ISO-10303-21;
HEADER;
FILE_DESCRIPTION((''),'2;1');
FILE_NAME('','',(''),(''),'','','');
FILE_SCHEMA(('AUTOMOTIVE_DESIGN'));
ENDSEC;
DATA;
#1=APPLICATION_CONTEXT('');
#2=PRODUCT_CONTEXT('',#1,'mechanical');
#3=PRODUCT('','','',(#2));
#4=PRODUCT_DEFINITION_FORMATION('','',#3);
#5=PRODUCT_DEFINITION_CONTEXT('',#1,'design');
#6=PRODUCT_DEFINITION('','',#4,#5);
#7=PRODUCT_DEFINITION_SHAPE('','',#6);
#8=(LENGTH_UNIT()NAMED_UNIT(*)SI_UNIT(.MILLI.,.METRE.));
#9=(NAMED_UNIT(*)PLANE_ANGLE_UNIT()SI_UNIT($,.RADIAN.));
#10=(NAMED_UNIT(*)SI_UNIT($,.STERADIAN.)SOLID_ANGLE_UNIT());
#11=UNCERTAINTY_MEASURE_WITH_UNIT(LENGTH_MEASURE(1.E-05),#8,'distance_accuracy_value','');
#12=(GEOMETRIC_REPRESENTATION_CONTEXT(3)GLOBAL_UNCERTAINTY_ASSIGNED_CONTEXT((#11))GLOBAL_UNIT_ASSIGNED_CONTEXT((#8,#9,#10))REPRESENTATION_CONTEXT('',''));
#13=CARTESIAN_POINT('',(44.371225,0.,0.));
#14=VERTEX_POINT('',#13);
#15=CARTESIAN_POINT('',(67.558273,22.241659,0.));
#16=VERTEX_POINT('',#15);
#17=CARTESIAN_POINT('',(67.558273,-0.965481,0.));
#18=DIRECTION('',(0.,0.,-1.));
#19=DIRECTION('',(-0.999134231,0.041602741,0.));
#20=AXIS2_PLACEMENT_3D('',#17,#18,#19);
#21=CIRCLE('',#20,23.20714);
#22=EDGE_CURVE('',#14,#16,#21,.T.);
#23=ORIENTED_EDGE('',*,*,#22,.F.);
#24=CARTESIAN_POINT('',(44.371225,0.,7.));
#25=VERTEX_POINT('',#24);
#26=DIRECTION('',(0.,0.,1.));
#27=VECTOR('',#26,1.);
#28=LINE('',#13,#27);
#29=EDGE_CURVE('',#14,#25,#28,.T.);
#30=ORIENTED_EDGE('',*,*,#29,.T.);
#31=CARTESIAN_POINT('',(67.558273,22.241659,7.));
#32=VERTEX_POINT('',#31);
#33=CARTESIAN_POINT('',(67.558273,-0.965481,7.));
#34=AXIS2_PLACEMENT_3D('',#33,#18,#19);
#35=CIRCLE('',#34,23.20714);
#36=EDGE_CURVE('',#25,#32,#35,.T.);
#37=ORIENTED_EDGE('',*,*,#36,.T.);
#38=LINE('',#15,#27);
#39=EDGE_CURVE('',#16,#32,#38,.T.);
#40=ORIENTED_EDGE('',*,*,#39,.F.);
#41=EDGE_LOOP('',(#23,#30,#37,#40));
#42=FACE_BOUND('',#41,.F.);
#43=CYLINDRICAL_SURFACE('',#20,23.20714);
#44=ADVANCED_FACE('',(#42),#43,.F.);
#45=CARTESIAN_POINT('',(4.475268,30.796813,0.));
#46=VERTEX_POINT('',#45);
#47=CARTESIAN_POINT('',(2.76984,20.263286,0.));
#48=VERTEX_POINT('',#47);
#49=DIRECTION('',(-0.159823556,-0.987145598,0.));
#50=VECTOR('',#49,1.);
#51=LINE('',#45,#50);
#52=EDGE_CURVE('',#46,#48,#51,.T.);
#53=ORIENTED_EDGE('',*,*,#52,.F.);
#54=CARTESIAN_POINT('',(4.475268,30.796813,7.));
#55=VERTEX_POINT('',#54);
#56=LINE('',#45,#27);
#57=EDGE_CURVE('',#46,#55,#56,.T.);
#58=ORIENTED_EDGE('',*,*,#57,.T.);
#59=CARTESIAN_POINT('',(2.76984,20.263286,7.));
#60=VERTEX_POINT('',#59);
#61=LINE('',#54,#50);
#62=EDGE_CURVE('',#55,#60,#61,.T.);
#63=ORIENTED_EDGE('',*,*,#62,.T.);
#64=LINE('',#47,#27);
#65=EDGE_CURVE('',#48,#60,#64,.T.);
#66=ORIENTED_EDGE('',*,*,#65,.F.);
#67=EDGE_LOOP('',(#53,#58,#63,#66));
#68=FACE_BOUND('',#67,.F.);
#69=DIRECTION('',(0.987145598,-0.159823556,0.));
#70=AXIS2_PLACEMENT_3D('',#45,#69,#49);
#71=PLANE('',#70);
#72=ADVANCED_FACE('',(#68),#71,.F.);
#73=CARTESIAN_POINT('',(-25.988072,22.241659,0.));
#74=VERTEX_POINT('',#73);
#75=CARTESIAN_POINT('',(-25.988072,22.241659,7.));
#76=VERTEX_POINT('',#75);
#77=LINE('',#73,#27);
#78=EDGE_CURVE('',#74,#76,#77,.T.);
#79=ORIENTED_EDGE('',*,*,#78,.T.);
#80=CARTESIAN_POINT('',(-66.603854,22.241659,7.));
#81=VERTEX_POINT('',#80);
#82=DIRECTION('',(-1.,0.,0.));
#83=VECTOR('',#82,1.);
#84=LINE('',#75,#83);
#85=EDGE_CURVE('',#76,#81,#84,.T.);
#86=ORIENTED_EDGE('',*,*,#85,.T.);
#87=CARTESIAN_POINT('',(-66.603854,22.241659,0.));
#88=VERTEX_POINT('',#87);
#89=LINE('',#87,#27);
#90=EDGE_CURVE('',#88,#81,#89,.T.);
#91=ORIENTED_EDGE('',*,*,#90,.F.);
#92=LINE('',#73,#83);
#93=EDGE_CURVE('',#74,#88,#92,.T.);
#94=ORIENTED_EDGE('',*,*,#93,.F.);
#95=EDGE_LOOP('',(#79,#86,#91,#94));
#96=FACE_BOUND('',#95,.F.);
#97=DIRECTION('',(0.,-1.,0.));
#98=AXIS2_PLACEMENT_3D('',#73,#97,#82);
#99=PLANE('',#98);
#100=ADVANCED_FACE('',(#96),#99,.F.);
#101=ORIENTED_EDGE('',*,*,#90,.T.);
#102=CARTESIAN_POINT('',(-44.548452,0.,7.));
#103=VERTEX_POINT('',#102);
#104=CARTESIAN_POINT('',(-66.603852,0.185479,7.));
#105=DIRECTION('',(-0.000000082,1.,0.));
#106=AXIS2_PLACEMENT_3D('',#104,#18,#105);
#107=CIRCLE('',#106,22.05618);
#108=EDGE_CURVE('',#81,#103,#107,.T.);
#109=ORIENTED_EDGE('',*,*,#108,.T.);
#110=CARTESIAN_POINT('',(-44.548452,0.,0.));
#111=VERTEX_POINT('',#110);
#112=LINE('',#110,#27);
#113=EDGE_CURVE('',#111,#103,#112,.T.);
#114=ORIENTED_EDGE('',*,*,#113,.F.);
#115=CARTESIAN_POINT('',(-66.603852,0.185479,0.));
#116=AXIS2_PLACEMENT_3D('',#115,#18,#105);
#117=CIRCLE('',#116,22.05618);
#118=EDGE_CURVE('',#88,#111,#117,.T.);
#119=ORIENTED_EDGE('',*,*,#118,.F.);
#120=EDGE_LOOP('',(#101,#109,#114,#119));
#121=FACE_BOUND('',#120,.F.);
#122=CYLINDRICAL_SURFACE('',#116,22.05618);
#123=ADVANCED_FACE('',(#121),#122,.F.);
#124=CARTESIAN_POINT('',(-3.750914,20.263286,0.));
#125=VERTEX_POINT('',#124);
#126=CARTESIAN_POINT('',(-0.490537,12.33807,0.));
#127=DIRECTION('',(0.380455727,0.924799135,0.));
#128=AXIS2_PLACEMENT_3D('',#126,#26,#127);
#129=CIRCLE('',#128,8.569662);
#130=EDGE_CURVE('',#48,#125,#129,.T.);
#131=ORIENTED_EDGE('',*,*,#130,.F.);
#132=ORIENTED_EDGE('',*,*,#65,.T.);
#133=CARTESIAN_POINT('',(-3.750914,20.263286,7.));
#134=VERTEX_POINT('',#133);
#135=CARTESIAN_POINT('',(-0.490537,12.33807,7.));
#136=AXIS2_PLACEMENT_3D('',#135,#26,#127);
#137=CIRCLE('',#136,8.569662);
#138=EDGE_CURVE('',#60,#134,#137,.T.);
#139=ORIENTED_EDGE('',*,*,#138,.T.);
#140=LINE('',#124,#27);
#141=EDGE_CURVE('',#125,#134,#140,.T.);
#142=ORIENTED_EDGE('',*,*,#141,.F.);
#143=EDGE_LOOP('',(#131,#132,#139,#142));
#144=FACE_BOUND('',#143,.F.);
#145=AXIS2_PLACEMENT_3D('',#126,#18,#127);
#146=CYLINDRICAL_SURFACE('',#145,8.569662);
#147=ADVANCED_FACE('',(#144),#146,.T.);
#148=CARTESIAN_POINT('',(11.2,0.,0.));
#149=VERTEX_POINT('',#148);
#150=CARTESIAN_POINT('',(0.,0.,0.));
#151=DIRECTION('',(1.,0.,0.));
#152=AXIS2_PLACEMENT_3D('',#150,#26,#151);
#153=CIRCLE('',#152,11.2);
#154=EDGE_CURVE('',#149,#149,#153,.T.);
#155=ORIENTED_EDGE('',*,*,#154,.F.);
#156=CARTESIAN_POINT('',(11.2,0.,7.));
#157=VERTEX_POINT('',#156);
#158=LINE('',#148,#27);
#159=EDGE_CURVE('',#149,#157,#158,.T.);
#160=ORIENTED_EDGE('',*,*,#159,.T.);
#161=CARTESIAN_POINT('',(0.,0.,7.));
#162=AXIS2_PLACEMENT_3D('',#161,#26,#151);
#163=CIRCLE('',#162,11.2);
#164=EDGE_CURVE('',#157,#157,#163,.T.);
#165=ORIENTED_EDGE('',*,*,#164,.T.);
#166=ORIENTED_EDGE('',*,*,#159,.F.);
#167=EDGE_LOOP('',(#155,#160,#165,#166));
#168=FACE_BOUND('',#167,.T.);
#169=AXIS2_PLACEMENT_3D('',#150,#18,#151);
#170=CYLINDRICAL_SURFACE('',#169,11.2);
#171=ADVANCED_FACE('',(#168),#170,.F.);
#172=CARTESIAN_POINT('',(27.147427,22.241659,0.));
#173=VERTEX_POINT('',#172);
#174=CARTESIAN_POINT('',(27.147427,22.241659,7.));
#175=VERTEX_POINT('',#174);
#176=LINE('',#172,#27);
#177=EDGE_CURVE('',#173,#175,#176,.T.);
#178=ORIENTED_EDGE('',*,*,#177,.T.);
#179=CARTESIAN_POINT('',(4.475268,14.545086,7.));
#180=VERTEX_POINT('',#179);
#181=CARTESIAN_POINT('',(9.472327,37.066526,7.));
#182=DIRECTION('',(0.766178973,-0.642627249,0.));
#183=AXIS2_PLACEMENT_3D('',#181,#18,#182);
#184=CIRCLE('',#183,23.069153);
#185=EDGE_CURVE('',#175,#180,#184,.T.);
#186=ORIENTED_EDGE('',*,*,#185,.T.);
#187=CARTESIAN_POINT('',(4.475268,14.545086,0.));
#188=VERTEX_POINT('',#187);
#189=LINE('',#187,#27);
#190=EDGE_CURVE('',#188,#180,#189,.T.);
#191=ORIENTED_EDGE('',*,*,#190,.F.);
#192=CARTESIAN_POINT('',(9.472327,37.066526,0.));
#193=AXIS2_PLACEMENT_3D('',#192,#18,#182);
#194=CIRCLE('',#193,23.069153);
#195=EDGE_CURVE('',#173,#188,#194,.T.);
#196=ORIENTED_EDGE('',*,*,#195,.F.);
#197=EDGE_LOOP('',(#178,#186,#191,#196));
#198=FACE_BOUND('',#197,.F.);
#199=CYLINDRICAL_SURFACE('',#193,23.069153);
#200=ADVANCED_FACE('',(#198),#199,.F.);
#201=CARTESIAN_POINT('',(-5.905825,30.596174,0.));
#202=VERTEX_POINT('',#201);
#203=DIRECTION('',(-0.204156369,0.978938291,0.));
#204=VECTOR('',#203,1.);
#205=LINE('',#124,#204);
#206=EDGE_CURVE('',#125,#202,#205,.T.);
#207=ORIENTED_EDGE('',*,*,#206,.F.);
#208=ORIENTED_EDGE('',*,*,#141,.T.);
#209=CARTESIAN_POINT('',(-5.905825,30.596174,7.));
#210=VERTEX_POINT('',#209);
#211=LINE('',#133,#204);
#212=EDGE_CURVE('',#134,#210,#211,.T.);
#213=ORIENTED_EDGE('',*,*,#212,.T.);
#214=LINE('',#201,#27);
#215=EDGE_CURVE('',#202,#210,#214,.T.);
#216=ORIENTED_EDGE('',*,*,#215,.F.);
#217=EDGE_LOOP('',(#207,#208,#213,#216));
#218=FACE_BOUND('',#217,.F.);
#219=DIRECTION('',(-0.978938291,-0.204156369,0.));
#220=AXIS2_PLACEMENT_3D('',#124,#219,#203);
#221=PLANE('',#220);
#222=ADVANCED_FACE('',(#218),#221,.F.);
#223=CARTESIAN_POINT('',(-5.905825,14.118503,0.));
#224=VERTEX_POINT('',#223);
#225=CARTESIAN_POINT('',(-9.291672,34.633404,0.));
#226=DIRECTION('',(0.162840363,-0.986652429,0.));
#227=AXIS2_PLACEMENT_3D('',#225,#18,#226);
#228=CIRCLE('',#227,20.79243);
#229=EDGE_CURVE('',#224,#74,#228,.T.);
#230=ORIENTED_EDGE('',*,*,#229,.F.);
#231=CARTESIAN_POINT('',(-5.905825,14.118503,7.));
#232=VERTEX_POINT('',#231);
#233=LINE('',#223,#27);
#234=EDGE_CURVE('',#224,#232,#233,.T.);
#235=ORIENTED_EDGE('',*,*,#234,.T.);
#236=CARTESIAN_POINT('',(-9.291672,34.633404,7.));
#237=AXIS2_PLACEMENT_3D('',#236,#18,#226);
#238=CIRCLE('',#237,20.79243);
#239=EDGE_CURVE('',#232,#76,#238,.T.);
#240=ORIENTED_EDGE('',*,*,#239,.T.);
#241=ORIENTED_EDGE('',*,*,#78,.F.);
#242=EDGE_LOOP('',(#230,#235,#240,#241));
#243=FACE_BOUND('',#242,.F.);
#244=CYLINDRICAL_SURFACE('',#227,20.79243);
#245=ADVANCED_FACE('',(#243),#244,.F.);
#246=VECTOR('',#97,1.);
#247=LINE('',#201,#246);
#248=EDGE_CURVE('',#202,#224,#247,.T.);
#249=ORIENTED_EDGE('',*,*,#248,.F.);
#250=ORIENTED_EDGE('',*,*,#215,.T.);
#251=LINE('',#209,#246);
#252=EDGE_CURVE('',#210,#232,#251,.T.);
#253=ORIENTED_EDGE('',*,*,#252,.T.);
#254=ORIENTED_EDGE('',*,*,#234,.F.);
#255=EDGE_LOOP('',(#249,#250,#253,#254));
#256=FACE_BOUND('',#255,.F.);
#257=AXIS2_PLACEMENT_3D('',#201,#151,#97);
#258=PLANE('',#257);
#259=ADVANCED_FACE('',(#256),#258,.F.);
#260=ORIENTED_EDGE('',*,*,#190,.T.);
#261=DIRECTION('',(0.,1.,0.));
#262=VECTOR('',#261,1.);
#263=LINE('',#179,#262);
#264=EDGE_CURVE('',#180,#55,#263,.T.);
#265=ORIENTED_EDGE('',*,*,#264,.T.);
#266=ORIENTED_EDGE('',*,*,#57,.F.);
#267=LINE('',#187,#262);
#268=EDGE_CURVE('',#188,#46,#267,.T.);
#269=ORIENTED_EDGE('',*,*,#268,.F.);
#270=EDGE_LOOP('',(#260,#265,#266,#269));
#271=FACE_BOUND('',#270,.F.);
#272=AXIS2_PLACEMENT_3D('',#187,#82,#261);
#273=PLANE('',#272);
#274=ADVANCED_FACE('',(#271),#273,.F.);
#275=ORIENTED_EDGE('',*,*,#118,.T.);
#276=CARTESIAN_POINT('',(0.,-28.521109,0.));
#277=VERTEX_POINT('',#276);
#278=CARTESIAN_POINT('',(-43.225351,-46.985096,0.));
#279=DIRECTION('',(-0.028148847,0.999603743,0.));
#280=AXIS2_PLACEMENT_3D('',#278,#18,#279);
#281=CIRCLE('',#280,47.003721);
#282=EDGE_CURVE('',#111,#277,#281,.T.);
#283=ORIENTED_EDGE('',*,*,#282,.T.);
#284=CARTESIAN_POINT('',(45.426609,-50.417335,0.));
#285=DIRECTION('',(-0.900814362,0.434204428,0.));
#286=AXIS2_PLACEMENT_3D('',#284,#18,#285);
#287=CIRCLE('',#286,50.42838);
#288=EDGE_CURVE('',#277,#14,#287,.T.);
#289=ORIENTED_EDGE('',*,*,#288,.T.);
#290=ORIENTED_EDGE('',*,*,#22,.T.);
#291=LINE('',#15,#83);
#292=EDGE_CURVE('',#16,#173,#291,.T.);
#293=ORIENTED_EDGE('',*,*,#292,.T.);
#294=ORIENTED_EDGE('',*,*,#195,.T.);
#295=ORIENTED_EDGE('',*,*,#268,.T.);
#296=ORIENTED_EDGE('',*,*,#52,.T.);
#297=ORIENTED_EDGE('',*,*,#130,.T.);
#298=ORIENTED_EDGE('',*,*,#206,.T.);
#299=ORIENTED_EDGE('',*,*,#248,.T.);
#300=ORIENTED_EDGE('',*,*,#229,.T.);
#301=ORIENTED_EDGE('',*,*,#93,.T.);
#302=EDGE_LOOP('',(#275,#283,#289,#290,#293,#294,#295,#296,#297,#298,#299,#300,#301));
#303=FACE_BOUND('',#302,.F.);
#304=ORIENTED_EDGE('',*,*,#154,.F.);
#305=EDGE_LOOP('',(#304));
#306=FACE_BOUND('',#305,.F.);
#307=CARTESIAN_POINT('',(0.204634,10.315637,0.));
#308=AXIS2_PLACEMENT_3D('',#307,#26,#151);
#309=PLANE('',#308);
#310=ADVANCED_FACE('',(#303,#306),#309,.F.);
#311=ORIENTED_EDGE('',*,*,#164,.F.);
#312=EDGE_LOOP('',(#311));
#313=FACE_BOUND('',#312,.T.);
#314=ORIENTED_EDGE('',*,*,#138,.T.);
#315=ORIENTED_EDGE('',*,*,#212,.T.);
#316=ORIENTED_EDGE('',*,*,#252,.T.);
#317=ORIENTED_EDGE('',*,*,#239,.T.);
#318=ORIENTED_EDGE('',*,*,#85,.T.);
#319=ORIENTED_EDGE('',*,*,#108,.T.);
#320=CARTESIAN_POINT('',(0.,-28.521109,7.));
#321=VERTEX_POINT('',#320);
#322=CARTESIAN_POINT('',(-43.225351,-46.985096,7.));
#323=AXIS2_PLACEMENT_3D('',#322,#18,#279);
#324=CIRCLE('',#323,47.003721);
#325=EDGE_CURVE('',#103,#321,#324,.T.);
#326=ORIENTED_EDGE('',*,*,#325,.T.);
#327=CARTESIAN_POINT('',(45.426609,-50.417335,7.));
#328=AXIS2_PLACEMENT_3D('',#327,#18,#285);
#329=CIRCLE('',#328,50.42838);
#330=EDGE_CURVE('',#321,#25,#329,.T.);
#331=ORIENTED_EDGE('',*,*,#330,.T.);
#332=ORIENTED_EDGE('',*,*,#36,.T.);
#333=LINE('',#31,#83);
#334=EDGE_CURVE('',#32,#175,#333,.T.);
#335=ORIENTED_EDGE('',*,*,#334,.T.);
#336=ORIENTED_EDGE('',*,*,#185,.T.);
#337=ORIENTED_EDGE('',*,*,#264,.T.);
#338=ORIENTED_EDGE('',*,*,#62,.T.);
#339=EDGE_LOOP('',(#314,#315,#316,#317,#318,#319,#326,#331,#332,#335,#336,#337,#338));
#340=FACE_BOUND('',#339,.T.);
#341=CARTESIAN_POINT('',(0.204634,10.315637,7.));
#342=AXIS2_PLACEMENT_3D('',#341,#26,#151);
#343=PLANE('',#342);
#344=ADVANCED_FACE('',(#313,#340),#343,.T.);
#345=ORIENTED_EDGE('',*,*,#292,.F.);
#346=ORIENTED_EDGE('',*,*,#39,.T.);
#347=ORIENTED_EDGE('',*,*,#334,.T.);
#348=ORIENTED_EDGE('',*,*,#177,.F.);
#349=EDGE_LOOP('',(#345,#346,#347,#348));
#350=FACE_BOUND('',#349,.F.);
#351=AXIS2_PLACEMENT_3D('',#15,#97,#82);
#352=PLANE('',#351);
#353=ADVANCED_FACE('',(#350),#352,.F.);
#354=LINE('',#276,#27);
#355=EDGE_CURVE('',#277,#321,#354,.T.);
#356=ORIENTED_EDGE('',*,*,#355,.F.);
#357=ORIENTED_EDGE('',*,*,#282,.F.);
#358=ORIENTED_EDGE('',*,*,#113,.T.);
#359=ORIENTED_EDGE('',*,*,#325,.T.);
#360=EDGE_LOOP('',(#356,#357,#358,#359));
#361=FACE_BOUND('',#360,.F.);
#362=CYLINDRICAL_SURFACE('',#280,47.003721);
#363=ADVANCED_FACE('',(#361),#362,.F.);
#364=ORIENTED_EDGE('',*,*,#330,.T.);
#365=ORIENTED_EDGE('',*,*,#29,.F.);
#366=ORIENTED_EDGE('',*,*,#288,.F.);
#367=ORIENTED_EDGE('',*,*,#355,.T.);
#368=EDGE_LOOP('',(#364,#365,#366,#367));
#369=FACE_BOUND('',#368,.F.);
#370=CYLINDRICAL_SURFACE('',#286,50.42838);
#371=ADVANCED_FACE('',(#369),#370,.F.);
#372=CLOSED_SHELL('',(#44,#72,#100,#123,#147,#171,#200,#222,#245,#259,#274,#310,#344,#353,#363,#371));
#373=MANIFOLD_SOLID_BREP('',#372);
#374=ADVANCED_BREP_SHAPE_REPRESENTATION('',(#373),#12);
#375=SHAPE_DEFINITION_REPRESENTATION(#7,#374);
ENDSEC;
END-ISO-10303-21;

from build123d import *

# Parameters (mm, degrees)
F0_R     = 11.2
F1_DEPTH = 7


with BuildPart() as f1:
    # F0 (on Top) → F1 (new body)
    with BuildSketch(Plane.XY):
        with BuildLine():
            Line((-25.988072, 22.241659), (-66.603854, 22.241659))
            ThreePointArc((-66.603854, 22.241659), (-50.942339, 15.715839), (-44.548452, 0))
            ThreePointArc((-44.548452, 0), (-17.881455, -7.399281), (0, -28.521109))
            ThreePointArc((0, -28.521109), (18.159278, -7.996654), (44.371225, 0))
            ThreePointArc((44.371225, 0), (51.493322, 15.782316), (67.558273, 22.241659))
            Line((67.558273, 22.241659), (27.147427, 22.241659))
            ThreePointArc((27.147427, 22.241659), (16.888019, 15.22177), (4.475268, 14.545086))
            Line((4.475268, 14.545086), (4.475268, 30.796813))
            Line((4.475268, 30.796813), (2.76984, 20.263286))
            ThreePointArc((2.76984, 20.263286), (-0.490537, 20.907732), (-3.750914, 20.263286))
            Line((-3.750914, 20.263286), (-5.905825, 30.596174))
            Line((-5.905825, 30.596174), (-5.905825, 14.118503))
            ThreePointArc((-5.905825, 14.118503), (-17.08841, 15.358135), (-25.988072, 22.241659))
        make_face()
        Circle(F0_R, mode=Mode.SUBTRACT)
    extrude(amount=F1_DEPTH)


solid = f1.part
